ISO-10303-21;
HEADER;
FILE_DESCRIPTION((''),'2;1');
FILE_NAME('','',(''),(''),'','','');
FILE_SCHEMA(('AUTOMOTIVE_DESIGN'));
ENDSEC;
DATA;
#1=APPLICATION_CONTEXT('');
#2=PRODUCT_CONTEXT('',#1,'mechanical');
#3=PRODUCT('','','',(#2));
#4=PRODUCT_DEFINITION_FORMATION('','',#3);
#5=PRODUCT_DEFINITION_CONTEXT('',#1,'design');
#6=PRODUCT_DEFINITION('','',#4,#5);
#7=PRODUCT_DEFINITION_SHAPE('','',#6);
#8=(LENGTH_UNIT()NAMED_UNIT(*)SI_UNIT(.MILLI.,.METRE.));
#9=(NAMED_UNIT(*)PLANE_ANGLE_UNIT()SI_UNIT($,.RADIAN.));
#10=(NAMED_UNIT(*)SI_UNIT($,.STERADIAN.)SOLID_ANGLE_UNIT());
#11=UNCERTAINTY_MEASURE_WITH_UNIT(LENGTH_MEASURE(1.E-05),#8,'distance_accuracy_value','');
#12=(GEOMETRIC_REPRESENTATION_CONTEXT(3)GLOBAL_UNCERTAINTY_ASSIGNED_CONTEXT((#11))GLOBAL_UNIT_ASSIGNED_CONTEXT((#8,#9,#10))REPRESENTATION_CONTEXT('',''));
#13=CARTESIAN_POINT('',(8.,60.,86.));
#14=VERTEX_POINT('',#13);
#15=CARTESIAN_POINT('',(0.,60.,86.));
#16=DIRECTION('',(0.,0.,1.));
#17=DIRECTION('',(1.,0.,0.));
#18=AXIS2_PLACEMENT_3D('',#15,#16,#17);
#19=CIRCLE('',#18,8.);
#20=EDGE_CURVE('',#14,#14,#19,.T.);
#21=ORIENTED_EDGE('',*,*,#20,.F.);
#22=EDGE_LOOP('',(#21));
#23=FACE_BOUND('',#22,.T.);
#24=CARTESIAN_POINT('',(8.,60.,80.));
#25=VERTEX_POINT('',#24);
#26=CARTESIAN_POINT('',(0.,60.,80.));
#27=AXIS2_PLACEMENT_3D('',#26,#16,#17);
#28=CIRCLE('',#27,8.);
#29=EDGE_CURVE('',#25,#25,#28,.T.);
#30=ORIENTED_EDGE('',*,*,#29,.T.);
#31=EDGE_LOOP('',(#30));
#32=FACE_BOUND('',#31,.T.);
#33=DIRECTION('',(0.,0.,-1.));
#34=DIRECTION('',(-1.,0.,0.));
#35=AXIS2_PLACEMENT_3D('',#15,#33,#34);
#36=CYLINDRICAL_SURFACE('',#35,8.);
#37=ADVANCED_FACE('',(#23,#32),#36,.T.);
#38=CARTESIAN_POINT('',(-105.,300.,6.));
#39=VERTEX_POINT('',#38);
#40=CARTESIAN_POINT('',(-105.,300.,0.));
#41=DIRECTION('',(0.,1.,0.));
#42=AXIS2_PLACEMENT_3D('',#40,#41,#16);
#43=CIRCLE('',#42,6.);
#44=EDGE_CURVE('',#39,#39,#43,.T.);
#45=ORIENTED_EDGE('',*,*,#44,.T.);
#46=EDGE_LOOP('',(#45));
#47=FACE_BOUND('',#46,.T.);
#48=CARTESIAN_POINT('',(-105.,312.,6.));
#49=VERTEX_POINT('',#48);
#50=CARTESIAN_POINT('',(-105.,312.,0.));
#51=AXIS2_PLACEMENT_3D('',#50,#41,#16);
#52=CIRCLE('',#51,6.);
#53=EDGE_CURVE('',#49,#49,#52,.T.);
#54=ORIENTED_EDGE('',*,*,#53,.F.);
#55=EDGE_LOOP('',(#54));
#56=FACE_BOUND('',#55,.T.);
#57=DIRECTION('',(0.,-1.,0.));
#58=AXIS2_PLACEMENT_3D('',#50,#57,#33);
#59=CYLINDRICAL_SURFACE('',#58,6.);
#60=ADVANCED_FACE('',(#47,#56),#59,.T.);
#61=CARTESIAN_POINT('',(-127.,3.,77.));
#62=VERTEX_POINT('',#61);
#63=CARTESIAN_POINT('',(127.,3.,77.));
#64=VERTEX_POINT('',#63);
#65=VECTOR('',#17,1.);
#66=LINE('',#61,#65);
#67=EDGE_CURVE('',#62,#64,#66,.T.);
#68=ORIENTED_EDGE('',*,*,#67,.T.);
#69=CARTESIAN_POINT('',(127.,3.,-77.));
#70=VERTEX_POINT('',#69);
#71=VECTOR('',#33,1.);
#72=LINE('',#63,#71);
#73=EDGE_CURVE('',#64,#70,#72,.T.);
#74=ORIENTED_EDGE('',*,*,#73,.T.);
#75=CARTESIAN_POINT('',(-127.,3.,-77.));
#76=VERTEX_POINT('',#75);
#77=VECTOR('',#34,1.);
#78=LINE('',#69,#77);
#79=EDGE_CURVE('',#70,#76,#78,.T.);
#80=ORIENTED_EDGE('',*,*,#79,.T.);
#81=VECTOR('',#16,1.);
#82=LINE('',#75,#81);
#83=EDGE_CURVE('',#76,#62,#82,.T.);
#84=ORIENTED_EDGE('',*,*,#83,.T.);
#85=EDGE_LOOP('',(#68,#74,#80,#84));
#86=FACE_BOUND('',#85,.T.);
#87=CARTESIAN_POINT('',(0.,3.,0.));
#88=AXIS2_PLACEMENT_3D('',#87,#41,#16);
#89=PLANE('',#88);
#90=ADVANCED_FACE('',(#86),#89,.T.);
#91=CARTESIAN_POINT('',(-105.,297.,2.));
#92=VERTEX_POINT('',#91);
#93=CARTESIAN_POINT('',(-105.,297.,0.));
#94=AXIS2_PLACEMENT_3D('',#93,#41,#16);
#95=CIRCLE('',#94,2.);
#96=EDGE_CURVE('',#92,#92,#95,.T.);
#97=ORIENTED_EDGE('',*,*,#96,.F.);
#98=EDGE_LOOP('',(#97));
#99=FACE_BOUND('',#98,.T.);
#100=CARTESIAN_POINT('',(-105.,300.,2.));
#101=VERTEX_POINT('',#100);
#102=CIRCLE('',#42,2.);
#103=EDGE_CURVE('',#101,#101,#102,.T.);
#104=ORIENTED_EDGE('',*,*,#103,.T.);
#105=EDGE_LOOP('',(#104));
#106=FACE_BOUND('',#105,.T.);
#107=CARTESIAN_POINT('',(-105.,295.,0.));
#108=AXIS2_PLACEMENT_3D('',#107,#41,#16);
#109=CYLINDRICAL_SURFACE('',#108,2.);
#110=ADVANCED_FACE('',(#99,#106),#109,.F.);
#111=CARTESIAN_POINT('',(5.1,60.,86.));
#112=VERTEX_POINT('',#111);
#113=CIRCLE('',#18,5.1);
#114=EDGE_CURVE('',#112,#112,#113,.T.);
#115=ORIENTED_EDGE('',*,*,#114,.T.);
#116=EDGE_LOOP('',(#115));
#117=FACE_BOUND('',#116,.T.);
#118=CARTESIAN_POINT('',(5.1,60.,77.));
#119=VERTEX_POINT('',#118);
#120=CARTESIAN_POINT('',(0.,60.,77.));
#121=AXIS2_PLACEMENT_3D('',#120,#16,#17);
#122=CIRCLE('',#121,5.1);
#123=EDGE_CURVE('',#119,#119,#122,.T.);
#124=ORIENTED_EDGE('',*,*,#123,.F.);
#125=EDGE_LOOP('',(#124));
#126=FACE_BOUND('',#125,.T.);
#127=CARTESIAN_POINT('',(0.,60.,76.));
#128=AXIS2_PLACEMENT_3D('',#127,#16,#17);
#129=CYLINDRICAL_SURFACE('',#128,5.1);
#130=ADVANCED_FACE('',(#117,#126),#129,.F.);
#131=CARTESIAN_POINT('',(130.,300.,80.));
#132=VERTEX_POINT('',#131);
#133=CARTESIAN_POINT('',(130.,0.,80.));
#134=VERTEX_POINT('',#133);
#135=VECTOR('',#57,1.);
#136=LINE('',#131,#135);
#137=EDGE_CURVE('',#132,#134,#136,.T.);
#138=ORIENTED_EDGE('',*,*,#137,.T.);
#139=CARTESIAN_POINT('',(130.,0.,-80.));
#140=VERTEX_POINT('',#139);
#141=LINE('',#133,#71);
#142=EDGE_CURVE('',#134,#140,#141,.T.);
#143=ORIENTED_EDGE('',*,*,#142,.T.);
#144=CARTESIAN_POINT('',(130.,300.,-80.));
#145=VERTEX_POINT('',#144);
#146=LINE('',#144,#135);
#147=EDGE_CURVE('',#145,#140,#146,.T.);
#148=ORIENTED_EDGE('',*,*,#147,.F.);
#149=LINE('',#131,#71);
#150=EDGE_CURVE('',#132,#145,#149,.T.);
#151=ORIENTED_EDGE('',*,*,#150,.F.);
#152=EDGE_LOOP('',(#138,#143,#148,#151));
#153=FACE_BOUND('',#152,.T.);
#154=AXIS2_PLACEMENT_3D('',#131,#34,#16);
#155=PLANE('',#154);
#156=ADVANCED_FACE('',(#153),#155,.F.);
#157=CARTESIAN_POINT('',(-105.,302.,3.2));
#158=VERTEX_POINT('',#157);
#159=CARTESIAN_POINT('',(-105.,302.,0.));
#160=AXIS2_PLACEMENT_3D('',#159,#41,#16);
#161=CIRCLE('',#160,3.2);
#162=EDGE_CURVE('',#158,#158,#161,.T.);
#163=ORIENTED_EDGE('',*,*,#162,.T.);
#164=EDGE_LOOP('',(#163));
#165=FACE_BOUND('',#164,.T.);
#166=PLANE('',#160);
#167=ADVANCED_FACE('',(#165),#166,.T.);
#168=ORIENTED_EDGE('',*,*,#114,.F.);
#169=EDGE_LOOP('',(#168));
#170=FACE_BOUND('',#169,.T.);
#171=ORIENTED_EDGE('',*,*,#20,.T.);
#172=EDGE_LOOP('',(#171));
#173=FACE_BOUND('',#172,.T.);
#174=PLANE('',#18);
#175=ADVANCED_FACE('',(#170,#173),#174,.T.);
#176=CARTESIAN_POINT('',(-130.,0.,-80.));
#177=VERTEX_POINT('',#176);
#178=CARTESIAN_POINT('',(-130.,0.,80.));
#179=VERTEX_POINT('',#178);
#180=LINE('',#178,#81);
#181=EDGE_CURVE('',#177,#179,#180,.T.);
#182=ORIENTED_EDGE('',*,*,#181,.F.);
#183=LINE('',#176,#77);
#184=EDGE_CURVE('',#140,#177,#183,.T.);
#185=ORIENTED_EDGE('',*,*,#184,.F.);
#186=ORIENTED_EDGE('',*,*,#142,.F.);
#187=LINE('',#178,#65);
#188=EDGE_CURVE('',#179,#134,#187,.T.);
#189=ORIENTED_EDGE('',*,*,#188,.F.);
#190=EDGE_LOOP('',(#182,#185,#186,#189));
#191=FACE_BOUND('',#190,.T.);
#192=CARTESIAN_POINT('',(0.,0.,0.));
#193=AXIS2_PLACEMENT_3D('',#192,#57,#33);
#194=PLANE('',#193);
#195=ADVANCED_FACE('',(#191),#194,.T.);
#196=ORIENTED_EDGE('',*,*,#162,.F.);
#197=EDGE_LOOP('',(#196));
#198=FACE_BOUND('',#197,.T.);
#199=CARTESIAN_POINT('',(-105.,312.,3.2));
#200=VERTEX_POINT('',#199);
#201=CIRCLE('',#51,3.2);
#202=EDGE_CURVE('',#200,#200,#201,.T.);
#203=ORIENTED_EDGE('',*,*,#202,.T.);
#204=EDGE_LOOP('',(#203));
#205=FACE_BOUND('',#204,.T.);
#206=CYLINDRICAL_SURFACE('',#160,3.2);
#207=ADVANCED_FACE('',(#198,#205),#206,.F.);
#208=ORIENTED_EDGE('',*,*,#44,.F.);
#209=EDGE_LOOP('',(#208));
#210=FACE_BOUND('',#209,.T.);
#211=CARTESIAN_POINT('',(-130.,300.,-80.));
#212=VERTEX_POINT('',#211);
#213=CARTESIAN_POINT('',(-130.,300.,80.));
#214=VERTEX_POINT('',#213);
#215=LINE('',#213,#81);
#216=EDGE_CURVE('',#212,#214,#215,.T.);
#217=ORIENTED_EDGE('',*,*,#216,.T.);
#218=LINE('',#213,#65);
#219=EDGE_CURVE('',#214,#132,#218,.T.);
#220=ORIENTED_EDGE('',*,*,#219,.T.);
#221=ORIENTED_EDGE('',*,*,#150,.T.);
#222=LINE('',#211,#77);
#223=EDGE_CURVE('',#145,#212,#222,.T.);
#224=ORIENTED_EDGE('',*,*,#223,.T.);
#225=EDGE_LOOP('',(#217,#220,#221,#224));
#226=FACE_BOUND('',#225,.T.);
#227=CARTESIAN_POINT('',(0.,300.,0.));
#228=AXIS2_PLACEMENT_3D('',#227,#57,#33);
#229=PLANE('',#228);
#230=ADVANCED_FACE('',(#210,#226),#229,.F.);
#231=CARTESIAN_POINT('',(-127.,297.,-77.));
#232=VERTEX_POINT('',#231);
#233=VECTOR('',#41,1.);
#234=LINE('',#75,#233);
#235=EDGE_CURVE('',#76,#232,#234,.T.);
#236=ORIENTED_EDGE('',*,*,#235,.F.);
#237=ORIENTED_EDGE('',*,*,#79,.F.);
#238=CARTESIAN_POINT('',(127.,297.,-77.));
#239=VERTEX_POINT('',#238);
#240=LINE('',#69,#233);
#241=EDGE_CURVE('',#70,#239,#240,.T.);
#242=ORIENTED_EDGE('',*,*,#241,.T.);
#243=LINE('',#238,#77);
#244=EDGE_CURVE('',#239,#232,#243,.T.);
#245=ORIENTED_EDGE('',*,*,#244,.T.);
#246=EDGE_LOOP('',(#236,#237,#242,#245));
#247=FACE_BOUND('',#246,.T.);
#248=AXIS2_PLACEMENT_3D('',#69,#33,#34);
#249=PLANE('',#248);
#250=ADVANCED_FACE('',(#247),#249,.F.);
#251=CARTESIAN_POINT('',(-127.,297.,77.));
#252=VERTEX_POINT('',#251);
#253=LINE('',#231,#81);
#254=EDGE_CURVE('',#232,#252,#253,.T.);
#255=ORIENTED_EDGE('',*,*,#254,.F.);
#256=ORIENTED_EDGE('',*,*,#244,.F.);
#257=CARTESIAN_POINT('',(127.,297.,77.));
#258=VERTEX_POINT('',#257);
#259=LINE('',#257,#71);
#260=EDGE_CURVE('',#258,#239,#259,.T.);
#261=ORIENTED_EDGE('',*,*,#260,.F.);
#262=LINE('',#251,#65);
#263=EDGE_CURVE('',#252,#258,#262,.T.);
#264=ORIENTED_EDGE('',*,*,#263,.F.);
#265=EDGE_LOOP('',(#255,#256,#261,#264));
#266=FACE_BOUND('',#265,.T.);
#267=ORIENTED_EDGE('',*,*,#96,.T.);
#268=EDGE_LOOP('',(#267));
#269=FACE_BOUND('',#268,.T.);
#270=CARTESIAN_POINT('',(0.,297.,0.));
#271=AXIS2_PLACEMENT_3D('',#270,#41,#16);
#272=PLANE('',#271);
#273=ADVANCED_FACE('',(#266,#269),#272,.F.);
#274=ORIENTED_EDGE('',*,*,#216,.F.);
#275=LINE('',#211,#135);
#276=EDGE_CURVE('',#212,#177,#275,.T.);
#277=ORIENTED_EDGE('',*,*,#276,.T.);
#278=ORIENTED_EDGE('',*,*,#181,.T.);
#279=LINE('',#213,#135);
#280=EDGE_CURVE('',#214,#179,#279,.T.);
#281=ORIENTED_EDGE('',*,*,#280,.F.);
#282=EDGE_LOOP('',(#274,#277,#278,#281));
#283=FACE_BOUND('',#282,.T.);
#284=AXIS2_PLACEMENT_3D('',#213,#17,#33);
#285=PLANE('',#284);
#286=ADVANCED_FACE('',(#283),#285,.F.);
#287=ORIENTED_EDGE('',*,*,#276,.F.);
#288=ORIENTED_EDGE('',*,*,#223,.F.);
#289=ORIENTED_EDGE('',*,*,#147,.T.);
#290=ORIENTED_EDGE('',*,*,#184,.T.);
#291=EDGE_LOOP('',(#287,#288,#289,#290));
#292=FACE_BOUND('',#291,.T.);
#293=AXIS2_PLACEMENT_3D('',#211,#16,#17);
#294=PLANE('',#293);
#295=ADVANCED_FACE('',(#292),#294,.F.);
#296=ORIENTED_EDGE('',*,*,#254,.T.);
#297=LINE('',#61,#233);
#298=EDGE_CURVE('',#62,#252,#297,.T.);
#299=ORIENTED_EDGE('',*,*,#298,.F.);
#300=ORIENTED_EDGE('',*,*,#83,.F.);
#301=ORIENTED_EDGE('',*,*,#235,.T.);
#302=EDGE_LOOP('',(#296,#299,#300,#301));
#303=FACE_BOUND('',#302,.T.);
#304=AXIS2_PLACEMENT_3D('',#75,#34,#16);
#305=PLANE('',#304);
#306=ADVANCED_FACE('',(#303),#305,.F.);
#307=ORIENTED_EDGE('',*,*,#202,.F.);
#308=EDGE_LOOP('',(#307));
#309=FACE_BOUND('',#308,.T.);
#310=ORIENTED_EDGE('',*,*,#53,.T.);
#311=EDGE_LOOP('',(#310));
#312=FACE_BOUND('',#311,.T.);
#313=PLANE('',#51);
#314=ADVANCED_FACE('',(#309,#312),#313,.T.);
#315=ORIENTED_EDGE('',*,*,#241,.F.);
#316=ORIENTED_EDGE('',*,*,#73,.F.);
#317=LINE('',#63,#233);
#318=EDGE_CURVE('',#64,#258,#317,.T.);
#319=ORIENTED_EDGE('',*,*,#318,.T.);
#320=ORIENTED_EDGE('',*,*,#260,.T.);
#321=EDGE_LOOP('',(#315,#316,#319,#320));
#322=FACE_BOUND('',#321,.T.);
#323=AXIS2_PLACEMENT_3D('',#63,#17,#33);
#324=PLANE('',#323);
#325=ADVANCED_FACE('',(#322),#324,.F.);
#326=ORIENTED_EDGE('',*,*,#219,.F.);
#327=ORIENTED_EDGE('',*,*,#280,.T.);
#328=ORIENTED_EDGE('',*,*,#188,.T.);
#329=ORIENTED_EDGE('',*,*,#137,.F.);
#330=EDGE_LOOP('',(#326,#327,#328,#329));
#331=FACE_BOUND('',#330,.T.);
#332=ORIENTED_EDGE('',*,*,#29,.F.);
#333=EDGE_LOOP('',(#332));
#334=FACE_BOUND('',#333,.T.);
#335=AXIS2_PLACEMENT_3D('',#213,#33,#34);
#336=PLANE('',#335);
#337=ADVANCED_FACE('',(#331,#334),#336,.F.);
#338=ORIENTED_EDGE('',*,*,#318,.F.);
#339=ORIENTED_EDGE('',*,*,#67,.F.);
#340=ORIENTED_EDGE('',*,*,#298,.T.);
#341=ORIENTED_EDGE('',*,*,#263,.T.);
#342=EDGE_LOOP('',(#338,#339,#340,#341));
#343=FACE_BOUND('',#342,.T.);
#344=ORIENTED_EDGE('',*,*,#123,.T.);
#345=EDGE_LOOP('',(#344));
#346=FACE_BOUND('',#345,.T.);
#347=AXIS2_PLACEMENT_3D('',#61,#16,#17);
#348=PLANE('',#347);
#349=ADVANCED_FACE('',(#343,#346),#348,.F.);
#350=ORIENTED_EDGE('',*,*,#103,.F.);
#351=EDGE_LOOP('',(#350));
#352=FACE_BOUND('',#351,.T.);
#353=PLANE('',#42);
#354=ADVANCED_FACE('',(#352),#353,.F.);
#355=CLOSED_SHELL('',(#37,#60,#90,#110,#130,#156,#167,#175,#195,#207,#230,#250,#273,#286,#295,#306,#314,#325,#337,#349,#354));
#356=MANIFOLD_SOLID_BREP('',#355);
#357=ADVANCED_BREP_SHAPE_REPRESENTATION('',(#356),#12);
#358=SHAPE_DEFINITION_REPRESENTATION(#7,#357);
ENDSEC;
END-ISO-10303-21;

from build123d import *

# Parameters (mm, degrees)
SKETCH1_W          = 260
SKETCH1_H          = 160
TANK_BODY_DEPTH    = 300
INSIDE_START       = 297
SKETCH2_W          = 254
SKETCH2_H          = 154
INSIDE_DEPTH       = 294
INLET_PORT_START   = 300
SKETCH3_R          = 6
INLET_PORT_DEPTH   = 12
INLET_SOCKET_START = 312
SKETCH4_R          = 3.2
INLET_SOCKET_DEPTH = 10
INLET_HOLE_START   = 300
SKETCH5_R          = 2
INLET_HOLE_DEPTH   = 5
OUTLET_BOSS_START  = 80
SKETCH6_R          = 8
OUTLET_BOSS_DEPTH  = 6
TAP_SOCKET_START   = 86
SKETCH7_R          = 5.1
TAP_SOCKET_DEPTH   = 10


with BuildPart() as part:
    # Sketch1 → Tank_Body (new body)
    with BuildSketch(Plane(origin=(0, 0, 0), x_dir=(1, 0, 0), z_dir=(0, 1, 0))):
        Rectangle(SKETCH1_W, SKETCH1_H)
    extrude(amount=TANK_BODY_DEPTH)

    # Sketch2 → Inside (cut)
    with BuildSketch(Plane(origin=(0, 0, 0), x_dir=(1, 0, 0), z_dir=(0, 1, 0)).offset(INSIDE_START)):
        Rectangle(SKETCH2_W, SKETCH2_H)
    extrude(amount=-INSIDE_DEPTH, mode=Mode.SUBTRACT)

    # Sketch3 → Inlet_Port (add)
    with BuildSketch(Plane(origin=(0, 0, 0), x_dir=(1, 0, 0), z_dir=(0, 1, 0)).offset(INLET_PORT_START)):
        with Locations(Location((-105, 0, 0), (0, 0, 270))):
            Circle(SKETCH3_R)
    extrude(amount=INLET_PORT_DEPTH)

    # Sketch4 → Inlet_Socket (cut)
    with BuildSketch(Plane(origin=(0, 0, 0), x_dir=(1, 0, 0), z_dir=(0, 1, 0)).offset(INLET_SOCKET_START)):
        with Locations(Location((-105, 0, 0), (0, 0, 270))):
            Circle(SKETCH4_R)
    extrude(amount=-INLET_SOCKET_DEPTH, mode=Mode.SUBTRACT)

    # Sketch5 → Inlet_Hole (cut)
    with BuildSketch(Plane(origin=(0, 0, 0), x_dir=(1, 0, 0), z_dir=(0, 1, 0)).offset(INLET_HOLE_START)):
        with Locations(Location((-105, 0, 0), (0, 0, 270))):
            Circle(SKETCH5_R)
    extrude(amount=-INLET_HOLE_DEPTH, mode=Mode.SUBTRACT)

    # Sketch6 → Outlet_Boss (add)
    with BuildSketch(Plane.XY.offset(OUTLET_BOSS_START)):
        with Locations((0, 60)):
            Circle(SKETCH6_R)
    extrude(amount=OUTLET_BOSS_DEPTH)

    # Sketch7 → Tap_Socket (cut)
    with BuildSketch(Plane.XY.offset(TAP_SOCKET_START)):
        with Locations((0, 60)):
            Circle(SKETCH7_R)
    extrude(amount=-TAP_SOCKET_DEPTH, mode=Mode.SUBTRACT)


solid = part.part
